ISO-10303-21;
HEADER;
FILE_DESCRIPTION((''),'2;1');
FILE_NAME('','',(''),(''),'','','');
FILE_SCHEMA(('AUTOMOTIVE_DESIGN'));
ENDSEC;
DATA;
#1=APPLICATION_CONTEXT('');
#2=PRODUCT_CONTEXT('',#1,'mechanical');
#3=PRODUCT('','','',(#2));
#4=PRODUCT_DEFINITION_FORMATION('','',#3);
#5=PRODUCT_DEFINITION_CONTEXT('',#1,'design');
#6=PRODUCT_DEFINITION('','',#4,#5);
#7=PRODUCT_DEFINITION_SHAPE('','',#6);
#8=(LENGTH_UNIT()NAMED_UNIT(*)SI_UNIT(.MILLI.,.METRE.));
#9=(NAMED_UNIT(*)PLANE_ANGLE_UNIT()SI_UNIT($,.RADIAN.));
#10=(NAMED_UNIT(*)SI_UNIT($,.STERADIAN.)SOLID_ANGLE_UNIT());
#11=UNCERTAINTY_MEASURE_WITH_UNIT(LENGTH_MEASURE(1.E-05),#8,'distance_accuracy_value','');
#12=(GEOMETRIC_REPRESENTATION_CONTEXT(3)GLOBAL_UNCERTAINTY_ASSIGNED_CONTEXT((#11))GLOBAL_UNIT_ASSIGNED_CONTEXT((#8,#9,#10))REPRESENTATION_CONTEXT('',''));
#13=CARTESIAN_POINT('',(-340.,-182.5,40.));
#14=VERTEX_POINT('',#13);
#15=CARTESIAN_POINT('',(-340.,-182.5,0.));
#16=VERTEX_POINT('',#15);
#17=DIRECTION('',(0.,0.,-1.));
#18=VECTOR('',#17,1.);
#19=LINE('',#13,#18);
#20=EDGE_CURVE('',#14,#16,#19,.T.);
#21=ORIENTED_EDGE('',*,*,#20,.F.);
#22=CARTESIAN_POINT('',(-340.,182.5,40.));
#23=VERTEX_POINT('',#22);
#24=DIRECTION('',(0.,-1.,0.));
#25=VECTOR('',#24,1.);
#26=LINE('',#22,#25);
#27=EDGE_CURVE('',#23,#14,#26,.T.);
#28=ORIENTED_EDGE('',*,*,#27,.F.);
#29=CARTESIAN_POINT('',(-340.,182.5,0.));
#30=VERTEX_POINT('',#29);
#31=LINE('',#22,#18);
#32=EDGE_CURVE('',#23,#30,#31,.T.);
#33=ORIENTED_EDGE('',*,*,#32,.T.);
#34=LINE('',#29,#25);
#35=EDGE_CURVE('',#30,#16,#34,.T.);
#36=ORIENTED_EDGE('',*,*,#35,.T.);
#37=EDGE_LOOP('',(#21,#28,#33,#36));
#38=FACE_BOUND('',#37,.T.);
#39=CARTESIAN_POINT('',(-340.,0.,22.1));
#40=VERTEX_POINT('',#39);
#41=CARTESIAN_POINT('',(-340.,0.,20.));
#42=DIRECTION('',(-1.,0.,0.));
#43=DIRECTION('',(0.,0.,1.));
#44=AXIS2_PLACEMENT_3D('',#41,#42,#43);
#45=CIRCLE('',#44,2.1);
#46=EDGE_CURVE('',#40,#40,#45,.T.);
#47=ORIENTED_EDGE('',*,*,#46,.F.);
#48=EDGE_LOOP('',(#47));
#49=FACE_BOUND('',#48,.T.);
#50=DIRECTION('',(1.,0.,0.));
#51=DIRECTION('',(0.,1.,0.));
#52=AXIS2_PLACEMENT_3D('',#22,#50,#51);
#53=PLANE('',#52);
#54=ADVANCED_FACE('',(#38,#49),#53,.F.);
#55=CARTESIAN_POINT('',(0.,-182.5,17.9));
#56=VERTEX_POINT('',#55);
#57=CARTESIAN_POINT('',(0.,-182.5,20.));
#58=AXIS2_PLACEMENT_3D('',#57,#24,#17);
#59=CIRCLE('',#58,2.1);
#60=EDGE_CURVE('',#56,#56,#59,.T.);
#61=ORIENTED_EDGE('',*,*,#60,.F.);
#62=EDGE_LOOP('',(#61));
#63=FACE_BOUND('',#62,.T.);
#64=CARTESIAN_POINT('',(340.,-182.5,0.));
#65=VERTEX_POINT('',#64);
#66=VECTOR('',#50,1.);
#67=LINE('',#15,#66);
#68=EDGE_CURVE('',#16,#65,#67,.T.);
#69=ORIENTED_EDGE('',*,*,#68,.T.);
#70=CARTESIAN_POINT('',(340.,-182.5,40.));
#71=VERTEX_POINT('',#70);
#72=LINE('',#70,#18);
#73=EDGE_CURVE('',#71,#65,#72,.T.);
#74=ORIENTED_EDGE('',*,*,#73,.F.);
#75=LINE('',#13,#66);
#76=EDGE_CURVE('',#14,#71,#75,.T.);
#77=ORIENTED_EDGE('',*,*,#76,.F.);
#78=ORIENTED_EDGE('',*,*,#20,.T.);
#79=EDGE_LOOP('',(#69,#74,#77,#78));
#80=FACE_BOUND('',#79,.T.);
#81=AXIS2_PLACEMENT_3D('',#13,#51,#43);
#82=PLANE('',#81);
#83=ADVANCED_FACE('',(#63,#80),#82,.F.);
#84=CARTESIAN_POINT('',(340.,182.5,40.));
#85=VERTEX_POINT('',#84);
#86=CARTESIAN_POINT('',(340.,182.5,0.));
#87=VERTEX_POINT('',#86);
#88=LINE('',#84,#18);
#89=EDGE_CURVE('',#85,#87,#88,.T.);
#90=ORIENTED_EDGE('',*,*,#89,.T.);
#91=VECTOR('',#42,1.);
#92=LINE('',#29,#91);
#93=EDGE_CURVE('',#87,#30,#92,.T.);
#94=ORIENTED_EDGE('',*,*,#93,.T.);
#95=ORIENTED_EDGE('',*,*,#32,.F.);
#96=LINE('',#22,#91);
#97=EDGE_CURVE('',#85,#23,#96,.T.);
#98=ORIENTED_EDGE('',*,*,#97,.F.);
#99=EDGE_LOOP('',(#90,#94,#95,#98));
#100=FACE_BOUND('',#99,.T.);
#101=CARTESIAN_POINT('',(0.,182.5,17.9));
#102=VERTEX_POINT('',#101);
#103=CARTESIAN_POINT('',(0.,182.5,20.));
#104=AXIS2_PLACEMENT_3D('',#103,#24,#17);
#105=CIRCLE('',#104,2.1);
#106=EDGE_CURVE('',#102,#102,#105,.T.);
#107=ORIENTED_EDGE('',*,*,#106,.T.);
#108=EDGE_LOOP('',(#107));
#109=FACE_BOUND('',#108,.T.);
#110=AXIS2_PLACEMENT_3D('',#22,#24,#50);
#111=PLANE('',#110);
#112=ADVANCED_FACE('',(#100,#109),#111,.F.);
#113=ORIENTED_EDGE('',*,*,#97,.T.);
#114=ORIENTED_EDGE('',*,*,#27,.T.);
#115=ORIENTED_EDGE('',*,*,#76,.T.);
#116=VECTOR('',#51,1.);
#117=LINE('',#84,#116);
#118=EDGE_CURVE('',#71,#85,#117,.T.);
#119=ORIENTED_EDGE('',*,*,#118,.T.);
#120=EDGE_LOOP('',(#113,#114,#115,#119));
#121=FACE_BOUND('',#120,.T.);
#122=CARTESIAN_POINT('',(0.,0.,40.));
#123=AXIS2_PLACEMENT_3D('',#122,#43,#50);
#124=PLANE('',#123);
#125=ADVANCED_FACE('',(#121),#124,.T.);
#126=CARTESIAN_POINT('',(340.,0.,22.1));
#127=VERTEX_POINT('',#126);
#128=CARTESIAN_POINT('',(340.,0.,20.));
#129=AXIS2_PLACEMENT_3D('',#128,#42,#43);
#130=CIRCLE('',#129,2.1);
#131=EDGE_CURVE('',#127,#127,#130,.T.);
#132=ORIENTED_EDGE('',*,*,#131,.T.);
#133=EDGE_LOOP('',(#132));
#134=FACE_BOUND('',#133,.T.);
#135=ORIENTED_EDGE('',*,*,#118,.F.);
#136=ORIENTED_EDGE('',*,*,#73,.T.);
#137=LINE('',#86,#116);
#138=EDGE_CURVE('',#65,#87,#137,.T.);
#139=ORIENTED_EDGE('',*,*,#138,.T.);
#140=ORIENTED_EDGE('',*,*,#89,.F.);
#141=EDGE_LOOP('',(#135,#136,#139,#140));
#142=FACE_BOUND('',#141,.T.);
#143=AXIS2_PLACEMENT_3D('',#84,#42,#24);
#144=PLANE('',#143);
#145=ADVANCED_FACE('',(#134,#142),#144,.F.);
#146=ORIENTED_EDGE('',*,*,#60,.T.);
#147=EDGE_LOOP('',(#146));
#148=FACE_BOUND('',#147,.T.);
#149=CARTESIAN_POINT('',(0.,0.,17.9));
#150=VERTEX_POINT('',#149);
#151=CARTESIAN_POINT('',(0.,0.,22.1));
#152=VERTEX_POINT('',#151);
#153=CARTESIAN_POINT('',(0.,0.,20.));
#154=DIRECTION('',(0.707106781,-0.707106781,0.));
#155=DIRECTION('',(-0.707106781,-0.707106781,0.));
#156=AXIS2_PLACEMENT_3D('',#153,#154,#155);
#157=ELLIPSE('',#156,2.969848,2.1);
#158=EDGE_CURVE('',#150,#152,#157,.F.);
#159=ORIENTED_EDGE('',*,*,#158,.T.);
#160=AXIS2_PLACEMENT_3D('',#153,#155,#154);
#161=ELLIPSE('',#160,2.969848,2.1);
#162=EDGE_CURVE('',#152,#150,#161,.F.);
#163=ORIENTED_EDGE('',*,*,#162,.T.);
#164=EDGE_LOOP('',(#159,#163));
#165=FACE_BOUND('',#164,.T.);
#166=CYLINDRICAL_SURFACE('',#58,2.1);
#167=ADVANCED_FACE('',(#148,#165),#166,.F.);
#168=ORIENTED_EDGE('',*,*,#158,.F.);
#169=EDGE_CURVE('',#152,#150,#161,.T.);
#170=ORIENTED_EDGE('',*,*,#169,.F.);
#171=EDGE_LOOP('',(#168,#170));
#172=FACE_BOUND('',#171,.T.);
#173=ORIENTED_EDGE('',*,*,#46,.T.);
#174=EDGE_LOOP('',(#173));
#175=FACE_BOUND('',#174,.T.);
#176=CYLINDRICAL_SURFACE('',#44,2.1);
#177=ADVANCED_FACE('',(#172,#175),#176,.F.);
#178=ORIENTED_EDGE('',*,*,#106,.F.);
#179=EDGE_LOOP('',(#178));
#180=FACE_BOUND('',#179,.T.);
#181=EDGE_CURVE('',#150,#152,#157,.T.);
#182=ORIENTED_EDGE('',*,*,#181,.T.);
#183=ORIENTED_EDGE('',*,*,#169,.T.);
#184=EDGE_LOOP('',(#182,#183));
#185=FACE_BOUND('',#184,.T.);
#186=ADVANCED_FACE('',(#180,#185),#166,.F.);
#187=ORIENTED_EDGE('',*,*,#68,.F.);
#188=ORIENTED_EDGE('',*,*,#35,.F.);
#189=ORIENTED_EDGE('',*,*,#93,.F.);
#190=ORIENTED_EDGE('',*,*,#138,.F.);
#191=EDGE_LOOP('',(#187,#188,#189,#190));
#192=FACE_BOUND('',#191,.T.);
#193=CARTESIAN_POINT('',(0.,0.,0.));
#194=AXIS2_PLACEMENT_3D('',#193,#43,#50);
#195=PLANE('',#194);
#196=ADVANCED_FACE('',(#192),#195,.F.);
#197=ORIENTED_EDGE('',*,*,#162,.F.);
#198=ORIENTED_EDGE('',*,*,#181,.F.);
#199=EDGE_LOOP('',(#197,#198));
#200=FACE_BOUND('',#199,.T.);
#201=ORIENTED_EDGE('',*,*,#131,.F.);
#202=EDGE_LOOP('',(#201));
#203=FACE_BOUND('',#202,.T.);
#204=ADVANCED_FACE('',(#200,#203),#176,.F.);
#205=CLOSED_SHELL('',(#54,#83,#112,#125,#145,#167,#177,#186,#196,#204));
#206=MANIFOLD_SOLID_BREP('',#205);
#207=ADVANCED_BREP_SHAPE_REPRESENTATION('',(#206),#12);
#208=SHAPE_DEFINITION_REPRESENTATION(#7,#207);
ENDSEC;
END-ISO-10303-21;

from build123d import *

# Parameters (mm, degrees)
SKETCH_1_W         = 680
SKETCH_1_H         = 365
EXTRUDE_1_DEPTH    = 40
HOLE_WIZARD_M5_1_D = 4.2
HOLE_WIZARD_M5_2_D = 4.2


with BuildPart() as part:
    # 草图1 → 凸台-拉伸1 (new body)
    with BuildSketch(Plane.XY):
        Rectangle(SKETCH_1_W, SKETCH_1_H)
    extrude(amount=EXTRUDE_1_DEPTH)

    # M5 螺纹孔1 (through all)
    with Locations(Plane(origin=(0, -182.5, 0), x_dir=(-1, 0, 0), z_dir=(0, -1, 0))):
        with Locations((0, -20)):
            Hole(HOLE_WIZARD_M5_1_D / 2)

    # M5 螺纹孔2 (through all)
    with Locations(Plane.ZY.offset(340)):
        with Locations((20, 0)):
            Hole(HOLE_WIZARD_M5_2_D / 2)


solid = part.part
